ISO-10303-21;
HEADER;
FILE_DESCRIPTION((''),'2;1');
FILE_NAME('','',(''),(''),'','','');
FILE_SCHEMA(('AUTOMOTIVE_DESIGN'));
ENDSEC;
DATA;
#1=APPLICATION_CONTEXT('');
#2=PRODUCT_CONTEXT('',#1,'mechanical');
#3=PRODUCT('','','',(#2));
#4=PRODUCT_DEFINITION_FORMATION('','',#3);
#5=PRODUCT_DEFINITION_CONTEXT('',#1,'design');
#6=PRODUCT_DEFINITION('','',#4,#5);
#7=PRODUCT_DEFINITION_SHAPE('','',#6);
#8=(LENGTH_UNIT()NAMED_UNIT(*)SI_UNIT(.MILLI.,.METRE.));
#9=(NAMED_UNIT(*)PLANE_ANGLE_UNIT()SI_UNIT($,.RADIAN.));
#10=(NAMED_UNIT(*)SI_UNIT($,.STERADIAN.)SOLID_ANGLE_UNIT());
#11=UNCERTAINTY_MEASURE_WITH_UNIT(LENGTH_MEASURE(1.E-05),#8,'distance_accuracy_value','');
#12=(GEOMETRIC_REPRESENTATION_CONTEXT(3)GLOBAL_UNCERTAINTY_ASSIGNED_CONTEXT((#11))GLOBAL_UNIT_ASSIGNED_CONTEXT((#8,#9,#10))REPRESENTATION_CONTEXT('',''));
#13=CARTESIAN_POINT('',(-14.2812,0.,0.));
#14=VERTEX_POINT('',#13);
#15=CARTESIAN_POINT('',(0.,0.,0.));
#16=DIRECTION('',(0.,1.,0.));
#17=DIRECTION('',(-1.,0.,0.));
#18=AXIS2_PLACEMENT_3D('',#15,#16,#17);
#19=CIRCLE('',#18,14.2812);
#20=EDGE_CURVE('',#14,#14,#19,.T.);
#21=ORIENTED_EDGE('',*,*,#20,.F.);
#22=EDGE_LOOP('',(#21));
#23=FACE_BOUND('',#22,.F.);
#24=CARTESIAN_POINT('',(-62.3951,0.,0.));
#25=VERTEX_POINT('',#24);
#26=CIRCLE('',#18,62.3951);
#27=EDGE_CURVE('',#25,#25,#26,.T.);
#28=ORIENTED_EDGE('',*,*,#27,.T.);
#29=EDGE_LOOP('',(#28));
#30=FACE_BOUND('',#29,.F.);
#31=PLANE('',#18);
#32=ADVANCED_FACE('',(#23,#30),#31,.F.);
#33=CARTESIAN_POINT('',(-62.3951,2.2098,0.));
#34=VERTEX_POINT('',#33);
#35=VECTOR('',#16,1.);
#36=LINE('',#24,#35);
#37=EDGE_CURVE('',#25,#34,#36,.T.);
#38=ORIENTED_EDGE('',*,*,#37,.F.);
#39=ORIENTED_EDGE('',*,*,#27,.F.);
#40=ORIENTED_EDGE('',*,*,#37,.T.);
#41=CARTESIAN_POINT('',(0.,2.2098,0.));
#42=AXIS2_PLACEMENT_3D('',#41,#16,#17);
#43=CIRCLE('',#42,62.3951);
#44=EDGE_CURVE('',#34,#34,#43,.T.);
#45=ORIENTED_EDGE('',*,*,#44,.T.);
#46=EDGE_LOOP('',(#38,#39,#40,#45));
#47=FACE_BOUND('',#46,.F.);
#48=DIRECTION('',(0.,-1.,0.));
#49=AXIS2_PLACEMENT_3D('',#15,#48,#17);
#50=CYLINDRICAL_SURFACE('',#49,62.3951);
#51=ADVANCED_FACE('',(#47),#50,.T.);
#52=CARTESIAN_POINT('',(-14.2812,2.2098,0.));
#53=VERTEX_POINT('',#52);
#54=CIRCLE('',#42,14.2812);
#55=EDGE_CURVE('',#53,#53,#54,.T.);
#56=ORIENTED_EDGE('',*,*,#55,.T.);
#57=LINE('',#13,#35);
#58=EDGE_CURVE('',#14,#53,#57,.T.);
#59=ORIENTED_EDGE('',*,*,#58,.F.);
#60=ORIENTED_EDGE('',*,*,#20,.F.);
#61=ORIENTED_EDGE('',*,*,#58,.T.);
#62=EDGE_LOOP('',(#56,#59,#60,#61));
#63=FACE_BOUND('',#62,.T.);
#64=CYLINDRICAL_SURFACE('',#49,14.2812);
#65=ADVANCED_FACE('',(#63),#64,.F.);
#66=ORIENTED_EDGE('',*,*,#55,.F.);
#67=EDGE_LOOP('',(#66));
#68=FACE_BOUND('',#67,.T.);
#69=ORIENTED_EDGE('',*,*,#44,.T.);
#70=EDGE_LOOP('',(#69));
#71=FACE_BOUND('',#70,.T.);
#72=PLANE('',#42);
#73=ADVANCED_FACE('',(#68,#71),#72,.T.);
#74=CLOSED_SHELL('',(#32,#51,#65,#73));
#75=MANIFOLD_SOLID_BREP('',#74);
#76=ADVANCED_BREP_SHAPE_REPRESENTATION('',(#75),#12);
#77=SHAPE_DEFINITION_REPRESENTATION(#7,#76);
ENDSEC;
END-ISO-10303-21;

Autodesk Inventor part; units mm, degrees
ref_plane "YZ Plane" through (0, 0, 0) normal (1, 0, 0) x (0, 1, 0)
ref_plane "XZ Plane" through (0, 0, 0) normal (0, 1, 0) x (-1, 0, 0)
ref_plane "XY Plane" through (0, 0, 0) normal (0, 0, 1) x (1, 0, 0)
sketch "Sketch1" plane through (0, 0, 0) normal (0, 1, 0) x (-1, 0, 0)
  circle A0 centre (0, 0) radius 62.3951
  circle A1 centre (0, 0) radius 14.2812
  dimension "d0" = 124.7902
  dimension "d1" = 28.5623
extrude "Extrusion1" add sketch "Sketch1" along normal blind 2.2098
properties part number "S25-60L Aluminum Sprocket (am-0237)"
